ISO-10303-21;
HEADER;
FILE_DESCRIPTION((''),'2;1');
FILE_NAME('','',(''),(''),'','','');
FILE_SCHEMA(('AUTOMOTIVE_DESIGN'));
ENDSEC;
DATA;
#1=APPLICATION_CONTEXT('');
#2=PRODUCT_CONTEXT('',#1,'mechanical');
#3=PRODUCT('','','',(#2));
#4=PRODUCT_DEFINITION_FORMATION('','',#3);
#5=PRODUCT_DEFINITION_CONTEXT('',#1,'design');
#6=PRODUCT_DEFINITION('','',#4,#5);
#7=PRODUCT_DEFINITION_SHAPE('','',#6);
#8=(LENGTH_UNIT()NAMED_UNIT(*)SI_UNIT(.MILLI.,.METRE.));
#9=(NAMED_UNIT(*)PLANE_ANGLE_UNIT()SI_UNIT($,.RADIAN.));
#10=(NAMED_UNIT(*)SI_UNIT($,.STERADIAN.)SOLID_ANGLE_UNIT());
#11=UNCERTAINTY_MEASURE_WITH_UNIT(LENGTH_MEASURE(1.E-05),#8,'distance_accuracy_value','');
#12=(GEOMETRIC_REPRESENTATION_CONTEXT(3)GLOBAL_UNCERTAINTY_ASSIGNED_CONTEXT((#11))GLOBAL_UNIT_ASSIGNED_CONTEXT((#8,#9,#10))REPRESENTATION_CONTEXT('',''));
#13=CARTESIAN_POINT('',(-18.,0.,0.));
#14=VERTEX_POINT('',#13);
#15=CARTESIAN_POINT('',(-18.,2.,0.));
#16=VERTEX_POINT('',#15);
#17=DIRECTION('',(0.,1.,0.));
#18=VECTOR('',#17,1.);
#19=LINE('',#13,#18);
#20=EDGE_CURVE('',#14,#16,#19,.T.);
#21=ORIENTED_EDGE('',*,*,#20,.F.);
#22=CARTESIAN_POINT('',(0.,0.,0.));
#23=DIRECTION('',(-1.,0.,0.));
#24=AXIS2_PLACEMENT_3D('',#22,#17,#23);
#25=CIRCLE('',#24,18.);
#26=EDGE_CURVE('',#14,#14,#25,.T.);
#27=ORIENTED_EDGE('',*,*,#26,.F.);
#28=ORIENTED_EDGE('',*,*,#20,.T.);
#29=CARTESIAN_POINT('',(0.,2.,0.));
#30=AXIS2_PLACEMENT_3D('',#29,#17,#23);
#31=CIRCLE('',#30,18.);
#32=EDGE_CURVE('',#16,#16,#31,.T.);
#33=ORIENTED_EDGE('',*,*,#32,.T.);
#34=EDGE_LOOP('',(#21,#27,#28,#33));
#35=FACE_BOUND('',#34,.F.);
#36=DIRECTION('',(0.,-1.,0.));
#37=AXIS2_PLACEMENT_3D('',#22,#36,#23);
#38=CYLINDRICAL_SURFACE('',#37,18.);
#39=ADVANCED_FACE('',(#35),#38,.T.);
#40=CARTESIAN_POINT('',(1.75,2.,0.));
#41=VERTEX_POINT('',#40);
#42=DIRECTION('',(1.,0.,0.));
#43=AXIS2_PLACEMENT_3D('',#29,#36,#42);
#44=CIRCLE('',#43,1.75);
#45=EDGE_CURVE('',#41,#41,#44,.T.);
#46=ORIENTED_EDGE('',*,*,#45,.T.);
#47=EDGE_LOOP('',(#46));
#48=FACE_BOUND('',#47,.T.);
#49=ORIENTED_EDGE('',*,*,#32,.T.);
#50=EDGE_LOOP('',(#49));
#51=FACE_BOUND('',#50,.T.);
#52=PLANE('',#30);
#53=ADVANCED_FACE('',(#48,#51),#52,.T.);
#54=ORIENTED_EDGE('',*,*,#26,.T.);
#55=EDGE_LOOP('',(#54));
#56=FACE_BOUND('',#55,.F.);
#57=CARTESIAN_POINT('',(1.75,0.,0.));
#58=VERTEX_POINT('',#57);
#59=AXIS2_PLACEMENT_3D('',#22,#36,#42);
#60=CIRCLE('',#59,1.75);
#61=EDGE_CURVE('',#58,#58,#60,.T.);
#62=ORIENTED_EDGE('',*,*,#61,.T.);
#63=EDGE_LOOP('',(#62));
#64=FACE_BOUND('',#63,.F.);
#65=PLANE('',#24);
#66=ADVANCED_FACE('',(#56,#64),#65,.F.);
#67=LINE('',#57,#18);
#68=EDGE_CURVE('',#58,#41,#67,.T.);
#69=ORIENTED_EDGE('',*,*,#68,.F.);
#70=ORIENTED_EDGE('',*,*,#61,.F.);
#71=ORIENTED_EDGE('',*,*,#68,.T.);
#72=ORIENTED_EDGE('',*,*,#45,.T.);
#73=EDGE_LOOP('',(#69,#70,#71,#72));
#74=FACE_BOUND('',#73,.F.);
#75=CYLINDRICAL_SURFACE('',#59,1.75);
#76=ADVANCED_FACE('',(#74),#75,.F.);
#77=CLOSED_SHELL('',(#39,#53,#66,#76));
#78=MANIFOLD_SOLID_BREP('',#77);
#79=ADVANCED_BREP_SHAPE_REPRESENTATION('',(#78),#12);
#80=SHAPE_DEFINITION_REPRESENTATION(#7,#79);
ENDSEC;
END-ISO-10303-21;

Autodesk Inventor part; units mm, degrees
ref_plane "YZ Plane" through (0, 0, 0) normal (1, 0, 0) x (0, 1, 0)
ref_plane "XZ Plane" through (0, 0, 0) normal (0, 1, 0) x (-1, 0, 0)
ref_plane "XY Plane" through (0, 0, 0) normal (0, 0, 1) x (1, 0, 0)
sketch "Sketch1" plane through (0, 0, 0) normal (0, 1, 0) x (-1, 0, 0)
  circle A0 centre (0, 0) radius 18
  dimension "d0" = 36
extrude "Extrusion1" add sketch "Sketch1" along normal blind 2
sketch "Sketch2" plane through (0, 0, 0) normal (0, -1, 0) x (1, 0, 0)
  circle A0 centre (0, 0) radius 1.75
  dimension "d3" = 3.5
extrude "Extrusion2" cut sketch "Sketch2" against normal blind 10.2
properties part number "watchChargerTop"
